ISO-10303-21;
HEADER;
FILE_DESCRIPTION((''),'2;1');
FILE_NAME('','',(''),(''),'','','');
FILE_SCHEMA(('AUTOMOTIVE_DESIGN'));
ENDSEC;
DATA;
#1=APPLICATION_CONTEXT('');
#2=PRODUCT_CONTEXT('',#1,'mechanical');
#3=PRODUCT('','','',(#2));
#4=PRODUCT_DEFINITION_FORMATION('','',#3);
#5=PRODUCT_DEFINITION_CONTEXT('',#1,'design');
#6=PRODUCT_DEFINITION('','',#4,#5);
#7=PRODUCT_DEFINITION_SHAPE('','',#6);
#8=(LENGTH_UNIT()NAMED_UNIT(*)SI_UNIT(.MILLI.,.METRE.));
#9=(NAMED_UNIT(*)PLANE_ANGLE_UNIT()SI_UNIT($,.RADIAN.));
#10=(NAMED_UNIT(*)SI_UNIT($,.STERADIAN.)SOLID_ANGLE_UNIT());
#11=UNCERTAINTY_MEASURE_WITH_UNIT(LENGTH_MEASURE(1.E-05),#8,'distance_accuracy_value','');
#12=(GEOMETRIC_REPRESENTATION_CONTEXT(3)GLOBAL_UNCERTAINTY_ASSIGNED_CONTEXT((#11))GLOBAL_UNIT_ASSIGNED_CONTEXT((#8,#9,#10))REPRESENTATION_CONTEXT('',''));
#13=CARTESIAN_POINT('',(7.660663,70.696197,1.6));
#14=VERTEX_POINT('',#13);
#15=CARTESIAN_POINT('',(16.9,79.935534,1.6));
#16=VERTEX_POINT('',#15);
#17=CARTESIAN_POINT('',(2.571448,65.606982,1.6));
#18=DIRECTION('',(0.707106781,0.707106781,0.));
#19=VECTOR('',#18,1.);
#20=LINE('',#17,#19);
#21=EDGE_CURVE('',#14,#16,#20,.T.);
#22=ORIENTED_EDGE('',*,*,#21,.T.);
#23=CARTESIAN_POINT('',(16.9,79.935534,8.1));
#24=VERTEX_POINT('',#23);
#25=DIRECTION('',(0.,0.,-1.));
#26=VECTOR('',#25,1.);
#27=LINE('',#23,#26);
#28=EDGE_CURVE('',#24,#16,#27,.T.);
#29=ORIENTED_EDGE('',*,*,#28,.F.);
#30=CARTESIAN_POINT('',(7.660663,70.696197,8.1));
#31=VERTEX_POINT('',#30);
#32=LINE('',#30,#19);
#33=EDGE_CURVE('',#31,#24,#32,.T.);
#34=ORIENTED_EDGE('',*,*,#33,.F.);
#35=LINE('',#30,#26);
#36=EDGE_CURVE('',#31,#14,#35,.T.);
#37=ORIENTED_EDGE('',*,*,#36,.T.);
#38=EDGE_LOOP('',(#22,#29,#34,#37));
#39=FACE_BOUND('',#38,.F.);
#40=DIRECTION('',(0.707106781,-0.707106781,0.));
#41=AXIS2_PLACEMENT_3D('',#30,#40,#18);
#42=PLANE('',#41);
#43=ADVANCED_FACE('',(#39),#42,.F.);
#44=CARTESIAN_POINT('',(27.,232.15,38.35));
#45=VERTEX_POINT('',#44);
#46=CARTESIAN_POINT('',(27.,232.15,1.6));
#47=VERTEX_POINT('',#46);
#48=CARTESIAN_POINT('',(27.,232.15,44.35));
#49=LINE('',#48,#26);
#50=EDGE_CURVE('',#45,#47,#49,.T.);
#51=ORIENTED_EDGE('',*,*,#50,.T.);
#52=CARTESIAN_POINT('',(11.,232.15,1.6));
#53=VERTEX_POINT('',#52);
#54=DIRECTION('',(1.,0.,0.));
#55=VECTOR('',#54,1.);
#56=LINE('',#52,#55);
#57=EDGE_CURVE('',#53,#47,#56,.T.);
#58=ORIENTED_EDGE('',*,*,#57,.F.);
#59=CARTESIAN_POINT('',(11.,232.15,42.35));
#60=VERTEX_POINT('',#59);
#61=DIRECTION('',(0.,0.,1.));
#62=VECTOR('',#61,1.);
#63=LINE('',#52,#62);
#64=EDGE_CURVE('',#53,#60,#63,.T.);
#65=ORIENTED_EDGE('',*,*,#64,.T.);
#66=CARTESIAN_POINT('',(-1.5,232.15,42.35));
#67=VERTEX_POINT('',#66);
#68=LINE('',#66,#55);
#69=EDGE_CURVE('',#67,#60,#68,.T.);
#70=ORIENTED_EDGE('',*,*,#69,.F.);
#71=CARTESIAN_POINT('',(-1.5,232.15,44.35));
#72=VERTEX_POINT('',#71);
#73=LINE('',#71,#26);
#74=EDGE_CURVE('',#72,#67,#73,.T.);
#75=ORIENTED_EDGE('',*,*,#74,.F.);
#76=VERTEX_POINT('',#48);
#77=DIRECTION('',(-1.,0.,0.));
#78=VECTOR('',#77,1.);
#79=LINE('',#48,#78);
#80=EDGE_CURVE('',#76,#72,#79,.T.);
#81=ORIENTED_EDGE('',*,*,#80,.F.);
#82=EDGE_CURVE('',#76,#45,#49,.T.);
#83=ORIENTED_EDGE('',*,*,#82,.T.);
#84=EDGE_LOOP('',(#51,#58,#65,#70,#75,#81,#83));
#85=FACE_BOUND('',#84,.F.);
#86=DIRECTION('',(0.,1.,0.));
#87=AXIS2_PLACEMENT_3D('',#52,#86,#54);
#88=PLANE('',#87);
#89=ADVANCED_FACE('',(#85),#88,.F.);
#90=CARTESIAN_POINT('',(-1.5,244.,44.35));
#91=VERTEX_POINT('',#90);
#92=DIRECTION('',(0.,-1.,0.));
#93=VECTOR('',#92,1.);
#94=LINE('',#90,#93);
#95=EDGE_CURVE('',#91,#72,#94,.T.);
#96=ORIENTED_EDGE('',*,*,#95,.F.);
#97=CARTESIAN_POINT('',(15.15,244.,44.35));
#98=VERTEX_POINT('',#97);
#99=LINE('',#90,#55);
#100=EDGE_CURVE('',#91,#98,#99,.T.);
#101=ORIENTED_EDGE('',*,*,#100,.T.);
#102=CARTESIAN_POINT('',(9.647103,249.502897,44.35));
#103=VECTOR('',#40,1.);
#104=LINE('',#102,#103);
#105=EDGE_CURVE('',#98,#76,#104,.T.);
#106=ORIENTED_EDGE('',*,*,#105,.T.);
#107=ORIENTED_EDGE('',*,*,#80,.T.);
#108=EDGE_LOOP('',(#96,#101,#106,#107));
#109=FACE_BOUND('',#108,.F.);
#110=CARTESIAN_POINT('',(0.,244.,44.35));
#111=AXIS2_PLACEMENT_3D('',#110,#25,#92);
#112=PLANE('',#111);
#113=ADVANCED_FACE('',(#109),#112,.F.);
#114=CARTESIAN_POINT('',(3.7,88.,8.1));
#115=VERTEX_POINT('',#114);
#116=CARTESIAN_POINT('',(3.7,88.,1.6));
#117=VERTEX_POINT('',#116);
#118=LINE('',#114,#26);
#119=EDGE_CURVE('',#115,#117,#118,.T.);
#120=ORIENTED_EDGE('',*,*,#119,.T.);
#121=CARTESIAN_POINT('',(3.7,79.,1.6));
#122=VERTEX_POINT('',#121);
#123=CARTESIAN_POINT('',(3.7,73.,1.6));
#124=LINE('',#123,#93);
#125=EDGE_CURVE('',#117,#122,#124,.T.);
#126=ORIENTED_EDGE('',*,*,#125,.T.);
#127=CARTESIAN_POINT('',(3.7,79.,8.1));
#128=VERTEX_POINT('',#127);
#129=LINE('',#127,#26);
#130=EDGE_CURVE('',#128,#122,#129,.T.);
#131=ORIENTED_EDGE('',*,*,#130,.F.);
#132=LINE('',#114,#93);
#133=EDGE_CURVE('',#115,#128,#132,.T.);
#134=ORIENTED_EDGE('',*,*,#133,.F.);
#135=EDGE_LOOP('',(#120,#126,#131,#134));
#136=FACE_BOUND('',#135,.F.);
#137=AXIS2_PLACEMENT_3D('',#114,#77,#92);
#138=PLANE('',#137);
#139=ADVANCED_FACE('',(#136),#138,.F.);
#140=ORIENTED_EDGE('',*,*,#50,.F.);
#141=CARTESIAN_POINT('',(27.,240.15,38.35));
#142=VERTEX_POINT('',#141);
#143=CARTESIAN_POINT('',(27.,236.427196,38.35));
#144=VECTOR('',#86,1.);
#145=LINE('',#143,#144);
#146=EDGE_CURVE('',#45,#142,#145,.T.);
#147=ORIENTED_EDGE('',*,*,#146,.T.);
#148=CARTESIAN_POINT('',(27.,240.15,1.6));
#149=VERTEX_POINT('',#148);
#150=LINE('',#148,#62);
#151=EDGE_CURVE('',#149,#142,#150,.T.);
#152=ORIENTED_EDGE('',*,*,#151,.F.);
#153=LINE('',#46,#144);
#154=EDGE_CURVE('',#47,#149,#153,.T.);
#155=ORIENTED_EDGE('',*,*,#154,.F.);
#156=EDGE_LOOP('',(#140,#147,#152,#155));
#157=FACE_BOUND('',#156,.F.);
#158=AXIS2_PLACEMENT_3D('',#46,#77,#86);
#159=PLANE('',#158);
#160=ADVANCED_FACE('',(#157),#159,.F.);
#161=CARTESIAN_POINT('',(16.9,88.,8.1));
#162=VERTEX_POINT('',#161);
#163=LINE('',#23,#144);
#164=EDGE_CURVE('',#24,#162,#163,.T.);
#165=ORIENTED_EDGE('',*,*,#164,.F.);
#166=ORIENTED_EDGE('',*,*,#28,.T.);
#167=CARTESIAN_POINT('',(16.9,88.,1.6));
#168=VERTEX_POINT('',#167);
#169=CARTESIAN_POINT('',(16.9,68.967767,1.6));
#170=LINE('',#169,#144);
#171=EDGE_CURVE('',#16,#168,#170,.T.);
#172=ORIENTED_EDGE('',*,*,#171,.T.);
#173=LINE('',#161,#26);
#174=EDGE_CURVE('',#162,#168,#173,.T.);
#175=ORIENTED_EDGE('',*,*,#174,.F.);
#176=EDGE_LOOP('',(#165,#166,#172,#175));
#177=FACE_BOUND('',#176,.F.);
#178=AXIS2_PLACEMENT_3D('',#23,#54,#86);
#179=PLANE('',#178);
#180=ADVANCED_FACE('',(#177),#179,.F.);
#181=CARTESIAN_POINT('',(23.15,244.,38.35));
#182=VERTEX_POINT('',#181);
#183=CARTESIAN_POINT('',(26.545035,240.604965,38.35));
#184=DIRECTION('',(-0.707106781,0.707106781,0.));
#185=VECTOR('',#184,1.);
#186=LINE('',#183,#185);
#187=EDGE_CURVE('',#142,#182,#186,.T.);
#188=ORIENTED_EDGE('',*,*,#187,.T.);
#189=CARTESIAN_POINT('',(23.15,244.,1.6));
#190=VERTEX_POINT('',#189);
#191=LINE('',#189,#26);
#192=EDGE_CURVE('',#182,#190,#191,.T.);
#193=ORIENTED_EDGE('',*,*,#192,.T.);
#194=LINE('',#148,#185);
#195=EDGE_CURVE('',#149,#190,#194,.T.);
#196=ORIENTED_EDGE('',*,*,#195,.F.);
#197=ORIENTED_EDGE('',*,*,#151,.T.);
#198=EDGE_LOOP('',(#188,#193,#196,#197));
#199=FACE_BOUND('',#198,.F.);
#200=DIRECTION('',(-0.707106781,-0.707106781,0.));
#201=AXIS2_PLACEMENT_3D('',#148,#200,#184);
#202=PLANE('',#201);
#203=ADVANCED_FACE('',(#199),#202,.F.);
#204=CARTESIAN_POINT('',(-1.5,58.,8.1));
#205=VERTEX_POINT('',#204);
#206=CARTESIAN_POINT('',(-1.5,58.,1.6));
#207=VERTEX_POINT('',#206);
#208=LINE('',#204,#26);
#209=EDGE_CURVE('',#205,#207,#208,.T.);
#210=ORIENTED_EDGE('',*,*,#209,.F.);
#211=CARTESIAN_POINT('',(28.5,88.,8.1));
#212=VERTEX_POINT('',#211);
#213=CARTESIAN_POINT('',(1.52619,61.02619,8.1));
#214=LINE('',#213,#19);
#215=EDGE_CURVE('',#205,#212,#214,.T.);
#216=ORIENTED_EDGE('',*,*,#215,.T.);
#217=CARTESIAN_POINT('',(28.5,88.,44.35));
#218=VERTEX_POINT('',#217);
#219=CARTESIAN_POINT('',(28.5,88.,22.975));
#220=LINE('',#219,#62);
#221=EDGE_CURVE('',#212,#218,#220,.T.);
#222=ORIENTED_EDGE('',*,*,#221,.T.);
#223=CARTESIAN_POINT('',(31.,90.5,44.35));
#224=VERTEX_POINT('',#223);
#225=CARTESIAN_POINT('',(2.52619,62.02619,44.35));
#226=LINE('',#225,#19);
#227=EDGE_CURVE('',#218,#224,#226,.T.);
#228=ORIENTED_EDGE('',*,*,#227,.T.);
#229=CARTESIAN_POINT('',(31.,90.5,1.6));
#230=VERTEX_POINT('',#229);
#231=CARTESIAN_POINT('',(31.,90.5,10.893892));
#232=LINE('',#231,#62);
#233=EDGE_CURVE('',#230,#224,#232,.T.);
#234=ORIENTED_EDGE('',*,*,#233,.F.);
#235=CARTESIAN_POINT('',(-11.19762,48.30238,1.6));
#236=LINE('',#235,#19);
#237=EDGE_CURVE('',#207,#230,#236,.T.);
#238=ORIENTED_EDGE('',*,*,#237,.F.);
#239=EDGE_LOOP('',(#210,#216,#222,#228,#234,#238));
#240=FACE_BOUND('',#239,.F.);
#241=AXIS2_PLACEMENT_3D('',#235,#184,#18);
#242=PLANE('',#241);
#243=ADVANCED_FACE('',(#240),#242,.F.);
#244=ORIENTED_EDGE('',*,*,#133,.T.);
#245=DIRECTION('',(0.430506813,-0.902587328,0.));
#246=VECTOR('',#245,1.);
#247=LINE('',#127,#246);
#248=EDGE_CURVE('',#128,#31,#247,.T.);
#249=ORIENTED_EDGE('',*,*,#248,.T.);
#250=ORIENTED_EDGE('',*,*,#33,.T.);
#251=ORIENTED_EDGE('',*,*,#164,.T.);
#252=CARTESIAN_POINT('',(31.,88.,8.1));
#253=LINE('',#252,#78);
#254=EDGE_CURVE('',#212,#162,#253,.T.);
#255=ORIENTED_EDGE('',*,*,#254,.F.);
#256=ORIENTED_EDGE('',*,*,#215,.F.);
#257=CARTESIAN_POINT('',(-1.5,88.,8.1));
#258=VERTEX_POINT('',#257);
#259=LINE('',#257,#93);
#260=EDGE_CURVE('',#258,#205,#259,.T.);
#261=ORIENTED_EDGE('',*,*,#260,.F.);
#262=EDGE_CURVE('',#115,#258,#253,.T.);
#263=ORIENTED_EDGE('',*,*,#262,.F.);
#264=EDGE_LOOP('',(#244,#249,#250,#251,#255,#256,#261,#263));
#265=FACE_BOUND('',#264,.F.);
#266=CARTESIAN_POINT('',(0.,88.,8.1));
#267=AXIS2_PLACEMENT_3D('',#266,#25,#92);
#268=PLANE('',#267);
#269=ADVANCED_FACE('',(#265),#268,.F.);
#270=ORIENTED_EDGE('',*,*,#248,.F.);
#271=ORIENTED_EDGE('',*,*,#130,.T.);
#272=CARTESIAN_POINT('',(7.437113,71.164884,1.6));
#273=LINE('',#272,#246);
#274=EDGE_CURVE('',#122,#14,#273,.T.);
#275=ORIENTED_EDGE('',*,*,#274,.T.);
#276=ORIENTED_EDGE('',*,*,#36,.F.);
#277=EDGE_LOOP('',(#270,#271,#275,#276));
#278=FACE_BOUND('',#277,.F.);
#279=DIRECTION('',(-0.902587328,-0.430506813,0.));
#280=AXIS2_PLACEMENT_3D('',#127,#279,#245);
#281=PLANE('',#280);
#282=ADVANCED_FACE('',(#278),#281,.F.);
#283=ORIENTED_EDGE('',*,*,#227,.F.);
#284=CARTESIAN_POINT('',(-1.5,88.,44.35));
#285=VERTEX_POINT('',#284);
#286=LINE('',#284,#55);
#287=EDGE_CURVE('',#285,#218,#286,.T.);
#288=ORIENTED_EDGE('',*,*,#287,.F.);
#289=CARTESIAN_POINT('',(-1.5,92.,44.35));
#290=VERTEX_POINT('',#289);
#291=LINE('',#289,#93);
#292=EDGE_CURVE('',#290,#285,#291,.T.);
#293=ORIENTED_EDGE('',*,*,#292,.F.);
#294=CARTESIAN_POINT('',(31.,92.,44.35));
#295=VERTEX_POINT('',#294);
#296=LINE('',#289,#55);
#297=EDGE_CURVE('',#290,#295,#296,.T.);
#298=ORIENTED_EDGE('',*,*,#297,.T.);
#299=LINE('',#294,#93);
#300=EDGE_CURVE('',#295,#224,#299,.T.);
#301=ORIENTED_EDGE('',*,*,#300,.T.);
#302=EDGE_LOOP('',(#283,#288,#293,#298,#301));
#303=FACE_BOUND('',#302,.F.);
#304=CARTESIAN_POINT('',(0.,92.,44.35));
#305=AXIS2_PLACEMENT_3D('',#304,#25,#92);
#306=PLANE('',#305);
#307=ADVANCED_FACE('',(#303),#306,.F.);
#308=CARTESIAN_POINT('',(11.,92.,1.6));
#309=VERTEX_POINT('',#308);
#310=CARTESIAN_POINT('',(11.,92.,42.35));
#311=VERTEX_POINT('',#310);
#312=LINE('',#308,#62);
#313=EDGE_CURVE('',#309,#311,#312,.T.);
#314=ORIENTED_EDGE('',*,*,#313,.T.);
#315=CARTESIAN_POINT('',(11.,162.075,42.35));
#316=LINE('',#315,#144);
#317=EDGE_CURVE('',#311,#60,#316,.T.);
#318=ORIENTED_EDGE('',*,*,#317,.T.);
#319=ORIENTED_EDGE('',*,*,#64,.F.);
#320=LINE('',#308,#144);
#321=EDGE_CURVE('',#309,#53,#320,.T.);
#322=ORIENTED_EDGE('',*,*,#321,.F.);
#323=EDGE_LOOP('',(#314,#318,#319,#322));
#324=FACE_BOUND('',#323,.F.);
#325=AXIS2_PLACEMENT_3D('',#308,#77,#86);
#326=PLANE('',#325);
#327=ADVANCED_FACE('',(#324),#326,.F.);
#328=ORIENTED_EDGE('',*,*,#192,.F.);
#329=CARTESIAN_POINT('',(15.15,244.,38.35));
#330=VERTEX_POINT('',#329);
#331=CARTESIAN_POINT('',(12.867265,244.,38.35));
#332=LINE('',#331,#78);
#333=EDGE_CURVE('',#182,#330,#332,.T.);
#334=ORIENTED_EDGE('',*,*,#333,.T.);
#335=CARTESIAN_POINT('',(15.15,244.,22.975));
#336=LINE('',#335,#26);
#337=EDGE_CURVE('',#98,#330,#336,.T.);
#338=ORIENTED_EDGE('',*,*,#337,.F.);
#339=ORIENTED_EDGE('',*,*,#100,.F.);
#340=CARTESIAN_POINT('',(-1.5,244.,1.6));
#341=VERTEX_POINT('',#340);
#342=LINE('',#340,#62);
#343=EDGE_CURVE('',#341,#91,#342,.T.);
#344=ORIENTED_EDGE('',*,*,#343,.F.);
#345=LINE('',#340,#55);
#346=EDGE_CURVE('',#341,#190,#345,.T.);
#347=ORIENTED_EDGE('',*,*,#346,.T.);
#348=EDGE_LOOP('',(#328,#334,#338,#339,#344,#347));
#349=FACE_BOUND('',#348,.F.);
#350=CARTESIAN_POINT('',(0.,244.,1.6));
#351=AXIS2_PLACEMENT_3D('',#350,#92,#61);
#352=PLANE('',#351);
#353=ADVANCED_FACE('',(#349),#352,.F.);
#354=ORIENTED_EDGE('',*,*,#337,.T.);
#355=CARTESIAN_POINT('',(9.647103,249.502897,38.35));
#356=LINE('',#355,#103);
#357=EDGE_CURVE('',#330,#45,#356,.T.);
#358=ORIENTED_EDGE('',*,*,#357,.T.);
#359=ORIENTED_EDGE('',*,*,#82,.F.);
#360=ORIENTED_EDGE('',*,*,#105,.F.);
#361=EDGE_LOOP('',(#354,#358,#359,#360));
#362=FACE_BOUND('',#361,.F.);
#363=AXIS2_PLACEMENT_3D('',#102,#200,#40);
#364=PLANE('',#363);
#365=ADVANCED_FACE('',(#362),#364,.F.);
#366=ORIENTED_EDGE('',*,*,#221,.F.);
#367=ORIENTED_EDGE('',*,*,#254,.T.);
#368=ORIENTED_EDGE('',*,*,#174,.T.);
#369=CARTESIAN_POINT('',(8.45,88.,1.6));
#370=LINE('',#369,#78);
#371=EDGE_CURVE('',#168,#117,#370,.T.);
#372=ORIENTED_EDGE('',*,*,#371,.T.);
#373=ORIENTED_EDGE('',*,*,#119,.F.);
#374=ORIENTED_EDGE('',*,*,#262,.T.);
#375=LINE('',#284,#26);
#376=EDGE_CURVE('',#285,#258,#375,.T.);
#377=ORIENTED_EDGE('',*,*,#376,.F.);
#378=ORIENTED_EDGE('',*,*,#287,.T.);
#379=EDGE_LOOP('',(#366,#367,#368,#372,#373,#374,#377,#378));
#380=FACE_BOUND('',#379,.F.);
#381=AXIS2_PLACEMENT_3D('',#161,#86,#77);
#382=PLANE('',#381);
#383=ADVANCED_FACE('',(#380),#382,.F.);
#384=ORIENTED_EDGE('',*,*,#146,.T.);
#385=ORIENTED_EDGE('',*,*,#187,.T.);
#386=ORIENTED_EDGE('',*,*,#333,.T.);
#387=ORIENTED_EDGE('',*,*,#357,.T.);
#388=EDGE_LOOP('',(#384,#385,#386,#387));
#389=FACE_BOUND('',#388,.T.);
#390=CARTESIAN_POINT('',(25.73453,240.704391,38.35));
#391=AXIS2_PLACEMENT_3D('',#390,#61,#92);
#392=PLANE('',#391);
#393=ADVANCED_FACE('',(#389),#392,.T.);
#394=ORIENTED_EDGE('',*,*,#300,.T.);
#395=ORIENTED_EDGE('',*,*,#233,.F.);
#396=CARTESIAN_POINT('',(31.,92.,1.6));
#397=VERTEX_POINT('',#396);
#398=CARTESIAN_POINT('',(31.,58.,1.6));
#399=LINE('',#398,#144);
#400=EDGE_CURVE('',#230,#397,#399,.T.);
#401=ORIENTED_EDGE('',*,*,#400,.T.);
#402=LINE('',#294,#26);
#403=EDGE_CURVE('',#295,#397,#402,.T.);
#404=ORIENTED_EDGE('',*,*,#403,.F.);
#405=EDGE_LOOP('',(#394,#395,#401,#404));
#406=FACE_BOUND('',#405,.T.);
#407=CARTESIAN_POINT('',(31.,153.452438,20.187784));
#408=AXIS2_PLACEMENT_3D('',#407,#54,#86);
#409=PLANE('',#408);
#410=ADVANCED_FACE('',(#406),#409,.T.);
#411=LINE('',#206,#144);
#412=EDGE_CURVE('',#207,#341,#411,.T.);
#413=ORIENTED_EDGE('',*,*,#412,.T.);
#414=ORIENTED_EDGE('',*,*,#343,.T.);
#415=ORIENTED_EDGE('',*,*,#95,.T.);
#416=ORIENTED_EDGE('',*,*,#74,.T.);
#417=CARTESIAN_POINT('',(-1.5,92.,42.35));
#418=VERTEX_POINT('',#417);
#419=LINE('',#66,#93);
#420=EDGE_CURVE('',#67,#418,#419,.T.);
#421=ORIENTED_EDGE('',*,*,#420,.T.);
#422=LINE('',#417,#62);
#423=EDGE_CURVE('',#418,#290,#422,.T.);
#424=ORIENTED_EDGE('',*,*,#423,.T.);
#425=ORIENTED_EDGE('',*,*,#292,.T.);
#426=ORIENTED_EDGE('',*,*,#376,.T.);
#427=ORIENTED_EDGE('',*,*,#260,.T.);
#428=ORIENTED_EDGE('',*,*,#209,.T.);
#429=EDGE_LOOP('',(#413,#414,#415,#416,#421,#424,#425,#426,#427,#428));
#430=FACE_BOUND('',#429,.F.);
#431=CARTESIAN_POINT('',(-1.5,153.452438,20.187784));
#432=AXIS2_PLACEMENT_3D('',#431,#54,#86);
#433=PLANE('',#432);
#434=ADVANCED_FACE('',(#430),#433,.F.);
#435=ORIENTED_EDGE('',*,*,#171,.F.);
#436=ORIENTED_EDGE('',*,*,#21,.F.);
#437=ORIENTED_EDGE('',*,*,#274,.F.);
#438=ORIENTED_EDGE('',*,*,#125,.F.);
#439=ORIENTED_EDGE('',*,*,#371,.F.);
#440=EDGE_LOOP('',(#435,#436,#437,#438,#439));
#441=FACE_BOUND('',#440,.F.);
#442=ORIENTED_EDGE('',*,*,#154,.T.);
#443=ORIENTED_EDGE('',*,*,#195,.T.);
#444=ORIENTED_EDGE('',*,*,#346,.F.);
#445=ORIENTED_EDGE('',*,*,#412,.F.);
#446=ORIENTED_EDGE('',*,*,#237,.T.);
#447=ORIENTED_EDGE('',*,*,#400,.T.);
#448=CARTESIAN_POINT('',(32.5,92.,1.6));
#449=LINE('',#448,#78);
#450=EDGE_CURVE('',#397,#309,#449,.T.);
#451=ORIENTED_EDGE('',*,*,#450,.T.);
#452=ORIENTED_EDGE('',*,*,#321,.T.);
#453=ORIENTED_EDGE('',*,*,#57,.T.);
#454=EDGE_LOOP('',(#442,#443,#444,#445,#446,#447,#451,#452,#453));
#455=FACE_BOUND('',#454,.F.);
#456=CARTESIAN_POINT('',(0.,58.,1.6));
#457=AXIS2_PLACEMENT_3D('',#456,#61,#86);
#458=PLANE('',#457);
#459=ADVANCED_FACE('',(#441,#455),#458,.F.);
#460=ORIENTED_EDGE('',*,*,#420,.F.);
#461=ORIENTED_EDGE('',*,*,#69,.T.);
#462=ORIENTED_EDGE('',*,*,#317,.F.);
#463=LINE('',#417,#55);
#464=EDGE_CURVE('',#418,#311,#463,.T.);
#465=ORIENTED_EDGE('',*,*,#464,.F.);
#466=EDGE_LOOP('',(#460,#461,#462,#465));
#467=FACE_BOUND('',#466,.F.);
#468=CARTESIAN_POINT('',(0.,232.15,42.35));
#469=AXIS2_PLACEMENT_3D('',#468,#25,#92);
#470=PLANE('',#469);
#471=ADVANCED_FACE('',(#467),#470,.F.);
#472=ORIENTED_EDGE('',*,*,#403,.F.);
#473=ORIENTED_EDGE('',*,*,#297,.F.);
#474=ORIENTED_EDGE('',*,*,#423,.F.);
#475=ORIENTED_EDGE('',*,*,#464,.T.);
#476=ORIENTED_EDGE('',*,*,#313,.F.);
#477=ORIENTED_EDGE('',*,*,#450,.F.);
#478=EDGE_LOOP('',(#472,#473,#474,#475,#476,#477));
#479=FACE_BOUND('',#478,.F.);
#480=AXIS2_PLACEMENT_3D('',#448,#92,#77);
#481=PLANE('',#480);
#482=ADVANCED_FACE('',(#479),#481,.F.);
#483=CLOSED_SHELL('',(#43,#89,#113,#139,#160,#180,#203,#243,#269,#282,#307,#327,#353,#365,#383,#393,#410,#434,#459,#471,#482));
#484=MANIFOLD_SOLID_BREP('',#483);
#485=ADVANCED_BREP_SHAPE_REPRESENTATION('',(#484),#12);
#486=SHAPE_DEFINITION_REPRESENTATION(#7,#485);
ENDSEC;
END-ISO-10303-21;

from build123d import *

# Parameters (mm, degrees)
PAD065_DEPTH      = 1.5
PAD065_DEPTH_BACK = 31
POCKET022_DEPTH   = 42.751
POCKET023_DEPTH   = 6
POCKET024_DEPTH   = 6.501


with BuildPart() as part:
    # Sketch105 → Pad065 (new body, two sides)
    with BuildSketch(Plane(origin=(0, 0, 0), x_dir=(0, -1, 0), z_dir=(-1, 0, 0))) as pad065_sk:
        Polygon((-58, 1.6), (-244, 1.6), (-244, 44.35), (-232.15, 44.35), (-232.15, 42.35), (-92, 42.35), (-92, 44.35), (-88, 44.35), (-88, 8.1), (-58, 8.1), align=None)
    extrude(amount=PAD065_DEPTH)
    extrude(pad065_sk.sketch, amount=-PAD065_DEPTH_BACK)

    # Sketch106 (on Face1 of Pad065) → Pocket022 (cut, through all)
    with BuildSketch(Plane.YX.offset(-1.6)):
        Polygon((48.3023801265, -11.1976198735), (92, 32.5), (92, 11), (232.15, 11), (232.15, 27), (240.15, 27), (258.8163982142, 8.3336017858), (258.8163982142, 61.252958), (48.3023801265, 61.252958), align=None)
    extrude(amount=-POCKET022_DEPTH, mode=Mode.SUBTRACT)

    # Sketch107 (on Face17 of Pocket022) → Pocket023 (cut)
    with BuildSketch(Plane(origin=(0, 0, 44.35), x_dir=(0, -1, 0), z_dir=(0, 0, 1))):
        Polygon((-249.5028966484, 34.5330350464), (-249.5028966484, 9.6471033517), (-224.6169649536, 34.5330350464), align=None)
    extrude(amount=-POCKET023_DEPTH, mode=Mode.SUBTRACT)

    # Sketch108 (on Face13 of Pocket023) → Pocket024 (cut, through all)
    with BuildSketch(Plane(origin=(0, 0, 8.1), x_dir=(0, -1, 0), z_dir=(0, 0, 1))):
        Polygon((-88, 16.9), (-88, 3.7), (-79, 3.7), (-70.6961965864, 7.6606626805), (-79.9355339059, 16.9), align=None)
    extrude(amount=-POCKET024_DEPTH, mode=Mode.SUBTRACT)


solid = part.part
